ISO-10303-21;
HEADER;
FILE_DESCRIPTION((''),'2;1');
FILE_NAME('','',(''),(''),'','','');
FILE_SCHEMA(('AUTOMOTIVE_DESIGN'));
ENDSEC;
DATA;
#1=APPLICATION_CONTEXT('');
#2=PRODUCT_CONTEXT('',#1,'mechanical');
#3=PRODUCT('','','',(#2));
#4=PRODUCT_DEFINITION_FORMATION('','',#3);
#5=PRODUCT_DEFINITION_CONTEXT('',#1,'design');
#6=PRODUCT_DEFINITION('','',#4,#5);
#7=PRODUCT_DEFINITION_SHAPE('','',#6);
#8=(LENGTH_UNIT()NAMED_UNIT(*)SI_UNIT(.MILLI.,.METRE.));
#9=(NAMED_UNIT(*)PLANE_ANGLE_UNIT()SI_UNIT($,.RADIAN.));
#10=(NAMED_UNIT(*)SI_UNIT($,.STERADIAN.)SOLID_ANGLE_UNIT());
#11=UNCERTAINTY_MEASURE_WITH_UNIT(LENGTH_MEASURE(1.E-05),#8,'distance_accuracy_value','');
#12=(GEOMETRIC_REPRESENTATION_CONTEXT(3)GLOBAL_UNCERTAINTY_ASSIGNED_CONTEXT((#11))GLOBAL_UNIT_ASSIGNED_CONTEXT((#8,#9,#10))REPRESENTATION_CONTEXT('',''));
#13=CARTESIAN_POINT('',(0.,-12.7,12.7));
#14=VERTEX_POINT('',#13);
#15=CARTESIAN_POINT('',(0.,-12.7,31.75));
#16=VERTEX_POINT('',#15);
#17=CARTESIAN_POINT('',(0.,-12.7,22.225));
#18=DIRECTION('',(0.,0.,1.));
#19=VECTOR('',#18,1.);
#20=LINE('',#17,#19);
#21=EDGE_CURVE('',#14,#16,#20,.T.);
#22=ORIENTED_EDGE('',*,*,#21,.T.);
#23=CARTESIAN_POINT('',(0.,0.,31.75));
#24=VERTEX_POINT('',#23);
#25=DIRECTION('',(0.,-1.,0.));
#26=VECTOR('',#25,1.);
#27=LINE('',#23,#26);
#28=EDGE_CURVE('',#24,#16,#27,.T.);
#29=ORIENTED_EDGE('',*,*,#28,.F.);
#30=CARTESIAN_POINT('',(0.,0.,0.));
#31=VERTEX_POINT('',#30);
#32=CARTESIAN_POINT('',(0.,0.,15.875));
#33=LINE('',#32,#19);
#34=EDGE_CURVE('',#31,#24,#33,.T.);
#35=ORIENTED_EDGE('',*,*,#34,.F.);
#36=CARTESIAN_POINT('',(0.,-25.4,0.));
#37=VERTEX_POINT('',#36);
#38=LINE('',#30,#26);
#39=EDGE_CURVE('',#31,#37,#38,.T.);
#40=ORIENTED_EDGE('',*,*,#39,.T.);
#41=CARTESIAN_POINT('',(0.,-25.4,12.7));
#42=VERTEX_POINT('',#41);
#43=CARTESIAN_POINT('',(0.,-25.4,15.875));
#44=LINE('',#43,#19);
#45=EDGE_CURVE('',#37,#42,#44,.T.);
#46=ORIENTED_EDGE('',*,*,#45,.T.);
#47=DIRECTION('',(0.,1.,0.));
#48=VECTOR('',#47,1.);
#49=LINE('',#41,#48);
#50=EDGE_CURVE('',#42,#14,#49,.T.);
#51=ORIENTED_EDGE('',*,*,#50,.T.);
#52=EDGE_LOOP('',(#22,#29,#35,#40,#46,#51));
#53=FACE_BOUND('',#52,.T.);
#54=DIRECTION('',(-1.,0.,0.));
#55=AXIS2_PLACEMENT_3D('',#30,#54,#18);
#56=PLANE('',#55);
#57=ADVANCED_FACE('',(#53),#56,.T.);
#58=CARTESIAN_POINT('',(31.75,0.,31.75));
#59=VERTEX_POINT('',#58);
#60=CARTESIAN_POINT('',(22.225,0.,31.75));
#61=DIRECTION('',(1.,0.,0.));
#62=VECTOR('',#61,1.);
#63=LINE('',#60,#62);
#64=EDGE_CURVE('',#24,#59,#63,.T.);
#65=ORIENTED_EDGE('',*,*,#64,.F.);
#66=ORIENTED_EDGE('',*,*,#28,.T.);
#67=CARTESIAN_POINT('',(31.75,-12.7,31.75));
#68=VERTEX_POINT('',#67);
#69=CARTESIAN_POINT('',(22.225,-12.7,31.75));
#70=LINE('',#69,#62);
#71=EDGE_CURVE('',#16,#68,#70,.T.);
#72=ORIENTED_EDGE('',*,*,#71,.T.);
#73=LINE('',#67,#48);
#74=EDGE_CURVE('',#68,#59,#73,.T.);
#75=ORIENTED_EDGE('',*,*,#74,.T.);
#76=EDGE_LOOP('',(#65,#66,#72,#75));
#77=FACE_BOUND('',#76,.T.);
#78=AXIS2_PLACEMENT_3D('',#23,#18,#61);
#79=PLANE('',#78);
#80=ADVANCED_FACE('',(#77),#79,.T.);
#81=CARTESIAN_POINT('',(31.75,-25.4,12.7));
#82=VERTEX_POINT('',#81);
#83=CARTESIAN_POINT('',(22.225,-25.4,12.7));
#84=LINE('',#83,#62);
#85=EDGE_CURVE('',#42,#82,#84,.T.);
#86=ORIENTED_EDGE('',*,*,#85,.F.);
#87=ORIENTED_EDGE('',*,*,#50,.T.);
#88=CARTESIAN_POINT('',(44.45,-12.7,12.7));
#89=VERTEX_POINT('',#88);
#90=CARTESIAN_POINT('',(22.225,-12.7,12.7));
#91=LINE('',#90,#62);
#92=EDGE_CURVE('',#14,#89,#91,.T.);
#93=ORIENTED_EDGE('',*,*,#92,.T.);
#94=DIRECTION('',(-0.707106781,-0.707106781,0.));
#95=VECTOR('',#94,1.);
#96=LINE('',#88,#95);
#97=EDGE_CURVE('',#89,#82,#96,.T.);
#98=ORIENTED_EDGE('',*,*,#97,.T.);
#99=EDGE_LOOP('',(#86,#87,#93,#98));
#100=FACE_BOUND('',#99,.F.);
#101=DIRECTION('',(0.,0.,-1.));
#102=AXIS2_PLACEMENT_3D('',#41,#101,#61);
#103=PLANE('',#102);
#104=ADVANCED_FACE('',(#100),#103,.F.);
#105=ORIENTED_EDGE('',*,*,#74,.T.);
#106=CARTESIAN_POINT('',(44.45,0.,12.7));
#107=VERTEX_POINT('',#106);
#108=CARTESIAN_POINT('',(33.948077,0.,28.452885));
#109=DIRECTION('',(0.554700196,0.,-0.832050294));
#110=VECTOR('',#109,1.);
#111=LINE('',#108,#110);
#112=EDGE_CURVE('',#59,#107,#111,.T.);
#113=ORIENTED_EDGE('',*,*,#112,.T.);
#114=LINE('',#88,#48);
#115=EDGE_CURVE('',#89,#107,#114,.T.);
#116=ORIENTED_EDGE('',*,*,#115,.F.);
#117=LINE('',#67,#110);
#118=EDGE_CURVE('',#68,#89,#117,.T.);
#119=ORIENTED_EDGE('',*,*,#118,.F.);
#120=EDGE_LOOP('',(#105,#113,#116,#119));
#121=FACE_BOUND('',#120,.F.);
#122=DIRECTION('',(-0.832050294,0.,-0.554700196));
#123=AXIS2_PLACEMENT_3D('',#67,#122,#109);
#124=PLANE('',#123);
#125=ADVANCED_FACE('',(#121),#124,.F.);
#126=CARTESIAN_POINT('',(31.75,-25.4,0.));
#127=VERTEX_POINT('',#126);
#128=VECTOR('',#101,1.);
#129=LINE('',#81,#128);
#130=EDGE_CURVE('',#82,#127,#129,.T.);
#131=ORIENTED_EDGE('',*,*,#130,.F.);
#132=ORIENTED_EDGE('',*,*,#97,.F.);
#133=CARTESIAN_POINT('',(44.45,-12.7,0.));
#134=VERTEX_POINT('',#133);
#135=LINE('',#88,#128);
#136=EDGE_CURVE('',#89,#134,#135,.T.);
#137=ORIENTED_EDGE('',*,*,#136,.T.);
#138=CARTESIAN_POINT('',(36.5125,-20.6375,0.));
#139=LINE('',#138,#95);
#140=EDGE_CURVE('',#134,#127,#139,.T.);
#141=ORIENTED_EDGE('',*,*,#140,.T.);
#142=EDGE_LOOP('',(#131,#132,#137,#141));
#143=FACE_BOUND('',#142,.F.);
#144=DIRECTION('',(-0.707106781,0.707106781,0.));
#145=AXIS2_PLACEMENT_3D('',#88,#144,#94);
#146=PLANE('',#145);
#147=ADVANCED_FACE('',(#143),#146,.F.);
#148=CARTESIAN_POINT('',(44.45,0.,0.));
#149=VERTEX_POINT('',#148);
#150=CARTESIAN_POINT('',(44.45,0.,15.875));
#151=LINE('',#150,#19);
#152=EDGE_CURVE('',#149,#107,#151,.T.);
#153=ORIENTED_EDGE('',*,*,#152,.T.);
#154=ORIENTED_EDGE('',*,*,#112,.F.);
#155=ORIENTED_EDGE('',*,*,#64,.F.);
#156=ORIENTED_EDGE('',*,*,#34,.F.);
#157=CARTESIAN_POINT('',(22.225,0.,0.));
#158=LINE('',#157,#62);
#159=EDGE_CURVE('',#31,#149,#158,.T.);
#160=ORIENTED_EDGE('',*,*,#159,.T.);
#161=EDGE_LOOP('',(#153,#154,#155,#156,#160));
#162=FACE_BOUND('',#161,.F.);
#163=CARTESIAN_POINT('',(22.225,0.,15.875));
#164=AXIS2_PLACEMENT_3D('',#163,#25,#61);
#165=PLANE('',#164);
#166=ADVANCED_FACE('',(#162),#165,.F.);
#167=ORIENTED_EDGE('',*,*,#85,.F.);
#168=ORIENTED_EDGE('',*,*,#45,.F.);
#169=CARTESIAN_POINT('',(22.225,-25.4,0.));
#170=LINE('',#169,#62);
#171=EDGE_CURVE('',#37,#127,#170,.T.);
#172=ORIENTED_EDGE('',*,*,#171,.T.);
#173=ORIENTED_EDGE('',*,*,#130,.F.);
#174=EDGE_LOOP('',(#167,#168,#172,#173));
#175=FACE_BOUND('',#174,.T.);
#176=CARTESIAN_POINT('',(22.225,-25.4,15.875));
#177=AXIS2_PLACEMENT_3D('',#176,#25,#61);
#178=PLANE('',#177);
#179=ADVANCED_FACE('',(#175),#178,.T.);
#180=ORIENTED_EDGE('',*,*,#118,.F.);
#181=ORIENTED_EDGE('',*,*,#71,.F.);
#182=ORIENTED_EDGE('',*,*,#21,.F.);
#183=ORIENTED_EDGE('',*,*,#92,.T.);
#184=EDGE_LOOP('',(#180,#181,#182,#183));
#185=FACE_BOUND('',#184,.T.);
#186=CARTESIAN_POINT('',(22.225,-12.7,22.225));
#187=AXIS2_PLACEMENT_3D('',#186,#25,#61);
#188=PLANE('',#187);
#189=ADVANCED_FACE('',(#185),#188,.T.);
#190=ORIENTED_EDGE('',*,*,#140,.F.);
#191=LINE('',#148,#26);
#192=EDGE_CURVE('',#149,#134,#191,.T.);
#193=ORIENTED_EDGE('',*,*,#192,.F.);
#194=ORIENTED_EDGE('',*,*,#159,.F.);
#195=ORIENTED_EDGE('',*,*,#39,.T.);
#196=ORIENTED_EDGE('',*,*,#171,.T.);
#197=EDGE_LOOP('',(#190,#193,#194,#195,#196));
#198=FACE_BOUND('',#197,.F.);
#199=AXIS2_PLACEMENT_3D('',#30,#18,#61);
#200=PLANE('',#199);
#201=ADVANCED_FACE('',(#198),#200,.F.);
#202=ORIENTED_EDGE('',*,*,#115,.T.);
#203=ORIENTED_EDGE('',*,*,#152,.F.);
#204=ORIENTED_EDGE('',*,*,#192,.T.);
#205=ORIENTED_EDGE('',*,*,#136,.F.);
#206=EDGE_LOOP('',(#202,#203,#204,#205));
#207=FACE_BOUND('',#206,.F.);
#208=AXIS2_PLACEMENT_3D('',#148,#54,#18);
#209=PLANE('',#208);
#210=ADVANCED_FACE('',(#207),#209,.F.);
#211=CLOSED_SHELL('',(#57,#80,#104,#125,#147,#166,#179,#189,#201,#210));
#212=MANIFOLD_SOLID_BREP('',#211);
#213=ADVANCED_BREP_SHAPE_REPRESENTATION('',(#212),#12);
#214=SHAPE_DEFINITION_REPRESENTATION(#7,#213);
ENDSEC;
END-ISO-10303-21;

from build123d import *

# Parameters (mm, degrees)
F0_W     = 44.45
F0_H     = 31.75
F1_DEPTH = 25.4
F2_W     = 44.45
F2_H     = 19.05
F3_DEPTH = 12.7
F5_DEPTH = 25.4
F7_DEPTH = 25.4


with BuildPart() as f1:
    # F0 (on Front) → F1 (new body)
    with BuildSketch(Plane.XZ):
        with Locations((22.225, 15.875)):
            Rectangle(F0_W, F0_H)
    extrude(amount=F1_DEPTH)

    # F2 (on face) → F3 (cut)
    with BuildSketch(Plane.XZ.offset(25.4)):
        with Locations((22.225, 22.225)):
            Rectangle(F2_W, F2_H)
    extrude(amount=-F3_DEPTH, mode=Mode.SUBTRACT)

    # F4 (on face) → F5 (cut)
    with BuildSketch(Plane.XY.offset(12.7)):
        Polygon((44.45, -25.4), (44.45, -12.7), (31.75, -25.4), align=None)
    extrude(amount=-F5_DEPTH, mode=Mode.SUBTRACT)

    # F6 (on face) → F7 (cut)
    with BuildSketch(Plane.XZ.offset(12.7)):
        Polygon((31.75, 31.75), (44.45, 12.7), (44.45, 31.75), align=None)
    extrude(amount=-F7_DEPTH, mode=Mode.SUBTRACT)


solid = f1.part
